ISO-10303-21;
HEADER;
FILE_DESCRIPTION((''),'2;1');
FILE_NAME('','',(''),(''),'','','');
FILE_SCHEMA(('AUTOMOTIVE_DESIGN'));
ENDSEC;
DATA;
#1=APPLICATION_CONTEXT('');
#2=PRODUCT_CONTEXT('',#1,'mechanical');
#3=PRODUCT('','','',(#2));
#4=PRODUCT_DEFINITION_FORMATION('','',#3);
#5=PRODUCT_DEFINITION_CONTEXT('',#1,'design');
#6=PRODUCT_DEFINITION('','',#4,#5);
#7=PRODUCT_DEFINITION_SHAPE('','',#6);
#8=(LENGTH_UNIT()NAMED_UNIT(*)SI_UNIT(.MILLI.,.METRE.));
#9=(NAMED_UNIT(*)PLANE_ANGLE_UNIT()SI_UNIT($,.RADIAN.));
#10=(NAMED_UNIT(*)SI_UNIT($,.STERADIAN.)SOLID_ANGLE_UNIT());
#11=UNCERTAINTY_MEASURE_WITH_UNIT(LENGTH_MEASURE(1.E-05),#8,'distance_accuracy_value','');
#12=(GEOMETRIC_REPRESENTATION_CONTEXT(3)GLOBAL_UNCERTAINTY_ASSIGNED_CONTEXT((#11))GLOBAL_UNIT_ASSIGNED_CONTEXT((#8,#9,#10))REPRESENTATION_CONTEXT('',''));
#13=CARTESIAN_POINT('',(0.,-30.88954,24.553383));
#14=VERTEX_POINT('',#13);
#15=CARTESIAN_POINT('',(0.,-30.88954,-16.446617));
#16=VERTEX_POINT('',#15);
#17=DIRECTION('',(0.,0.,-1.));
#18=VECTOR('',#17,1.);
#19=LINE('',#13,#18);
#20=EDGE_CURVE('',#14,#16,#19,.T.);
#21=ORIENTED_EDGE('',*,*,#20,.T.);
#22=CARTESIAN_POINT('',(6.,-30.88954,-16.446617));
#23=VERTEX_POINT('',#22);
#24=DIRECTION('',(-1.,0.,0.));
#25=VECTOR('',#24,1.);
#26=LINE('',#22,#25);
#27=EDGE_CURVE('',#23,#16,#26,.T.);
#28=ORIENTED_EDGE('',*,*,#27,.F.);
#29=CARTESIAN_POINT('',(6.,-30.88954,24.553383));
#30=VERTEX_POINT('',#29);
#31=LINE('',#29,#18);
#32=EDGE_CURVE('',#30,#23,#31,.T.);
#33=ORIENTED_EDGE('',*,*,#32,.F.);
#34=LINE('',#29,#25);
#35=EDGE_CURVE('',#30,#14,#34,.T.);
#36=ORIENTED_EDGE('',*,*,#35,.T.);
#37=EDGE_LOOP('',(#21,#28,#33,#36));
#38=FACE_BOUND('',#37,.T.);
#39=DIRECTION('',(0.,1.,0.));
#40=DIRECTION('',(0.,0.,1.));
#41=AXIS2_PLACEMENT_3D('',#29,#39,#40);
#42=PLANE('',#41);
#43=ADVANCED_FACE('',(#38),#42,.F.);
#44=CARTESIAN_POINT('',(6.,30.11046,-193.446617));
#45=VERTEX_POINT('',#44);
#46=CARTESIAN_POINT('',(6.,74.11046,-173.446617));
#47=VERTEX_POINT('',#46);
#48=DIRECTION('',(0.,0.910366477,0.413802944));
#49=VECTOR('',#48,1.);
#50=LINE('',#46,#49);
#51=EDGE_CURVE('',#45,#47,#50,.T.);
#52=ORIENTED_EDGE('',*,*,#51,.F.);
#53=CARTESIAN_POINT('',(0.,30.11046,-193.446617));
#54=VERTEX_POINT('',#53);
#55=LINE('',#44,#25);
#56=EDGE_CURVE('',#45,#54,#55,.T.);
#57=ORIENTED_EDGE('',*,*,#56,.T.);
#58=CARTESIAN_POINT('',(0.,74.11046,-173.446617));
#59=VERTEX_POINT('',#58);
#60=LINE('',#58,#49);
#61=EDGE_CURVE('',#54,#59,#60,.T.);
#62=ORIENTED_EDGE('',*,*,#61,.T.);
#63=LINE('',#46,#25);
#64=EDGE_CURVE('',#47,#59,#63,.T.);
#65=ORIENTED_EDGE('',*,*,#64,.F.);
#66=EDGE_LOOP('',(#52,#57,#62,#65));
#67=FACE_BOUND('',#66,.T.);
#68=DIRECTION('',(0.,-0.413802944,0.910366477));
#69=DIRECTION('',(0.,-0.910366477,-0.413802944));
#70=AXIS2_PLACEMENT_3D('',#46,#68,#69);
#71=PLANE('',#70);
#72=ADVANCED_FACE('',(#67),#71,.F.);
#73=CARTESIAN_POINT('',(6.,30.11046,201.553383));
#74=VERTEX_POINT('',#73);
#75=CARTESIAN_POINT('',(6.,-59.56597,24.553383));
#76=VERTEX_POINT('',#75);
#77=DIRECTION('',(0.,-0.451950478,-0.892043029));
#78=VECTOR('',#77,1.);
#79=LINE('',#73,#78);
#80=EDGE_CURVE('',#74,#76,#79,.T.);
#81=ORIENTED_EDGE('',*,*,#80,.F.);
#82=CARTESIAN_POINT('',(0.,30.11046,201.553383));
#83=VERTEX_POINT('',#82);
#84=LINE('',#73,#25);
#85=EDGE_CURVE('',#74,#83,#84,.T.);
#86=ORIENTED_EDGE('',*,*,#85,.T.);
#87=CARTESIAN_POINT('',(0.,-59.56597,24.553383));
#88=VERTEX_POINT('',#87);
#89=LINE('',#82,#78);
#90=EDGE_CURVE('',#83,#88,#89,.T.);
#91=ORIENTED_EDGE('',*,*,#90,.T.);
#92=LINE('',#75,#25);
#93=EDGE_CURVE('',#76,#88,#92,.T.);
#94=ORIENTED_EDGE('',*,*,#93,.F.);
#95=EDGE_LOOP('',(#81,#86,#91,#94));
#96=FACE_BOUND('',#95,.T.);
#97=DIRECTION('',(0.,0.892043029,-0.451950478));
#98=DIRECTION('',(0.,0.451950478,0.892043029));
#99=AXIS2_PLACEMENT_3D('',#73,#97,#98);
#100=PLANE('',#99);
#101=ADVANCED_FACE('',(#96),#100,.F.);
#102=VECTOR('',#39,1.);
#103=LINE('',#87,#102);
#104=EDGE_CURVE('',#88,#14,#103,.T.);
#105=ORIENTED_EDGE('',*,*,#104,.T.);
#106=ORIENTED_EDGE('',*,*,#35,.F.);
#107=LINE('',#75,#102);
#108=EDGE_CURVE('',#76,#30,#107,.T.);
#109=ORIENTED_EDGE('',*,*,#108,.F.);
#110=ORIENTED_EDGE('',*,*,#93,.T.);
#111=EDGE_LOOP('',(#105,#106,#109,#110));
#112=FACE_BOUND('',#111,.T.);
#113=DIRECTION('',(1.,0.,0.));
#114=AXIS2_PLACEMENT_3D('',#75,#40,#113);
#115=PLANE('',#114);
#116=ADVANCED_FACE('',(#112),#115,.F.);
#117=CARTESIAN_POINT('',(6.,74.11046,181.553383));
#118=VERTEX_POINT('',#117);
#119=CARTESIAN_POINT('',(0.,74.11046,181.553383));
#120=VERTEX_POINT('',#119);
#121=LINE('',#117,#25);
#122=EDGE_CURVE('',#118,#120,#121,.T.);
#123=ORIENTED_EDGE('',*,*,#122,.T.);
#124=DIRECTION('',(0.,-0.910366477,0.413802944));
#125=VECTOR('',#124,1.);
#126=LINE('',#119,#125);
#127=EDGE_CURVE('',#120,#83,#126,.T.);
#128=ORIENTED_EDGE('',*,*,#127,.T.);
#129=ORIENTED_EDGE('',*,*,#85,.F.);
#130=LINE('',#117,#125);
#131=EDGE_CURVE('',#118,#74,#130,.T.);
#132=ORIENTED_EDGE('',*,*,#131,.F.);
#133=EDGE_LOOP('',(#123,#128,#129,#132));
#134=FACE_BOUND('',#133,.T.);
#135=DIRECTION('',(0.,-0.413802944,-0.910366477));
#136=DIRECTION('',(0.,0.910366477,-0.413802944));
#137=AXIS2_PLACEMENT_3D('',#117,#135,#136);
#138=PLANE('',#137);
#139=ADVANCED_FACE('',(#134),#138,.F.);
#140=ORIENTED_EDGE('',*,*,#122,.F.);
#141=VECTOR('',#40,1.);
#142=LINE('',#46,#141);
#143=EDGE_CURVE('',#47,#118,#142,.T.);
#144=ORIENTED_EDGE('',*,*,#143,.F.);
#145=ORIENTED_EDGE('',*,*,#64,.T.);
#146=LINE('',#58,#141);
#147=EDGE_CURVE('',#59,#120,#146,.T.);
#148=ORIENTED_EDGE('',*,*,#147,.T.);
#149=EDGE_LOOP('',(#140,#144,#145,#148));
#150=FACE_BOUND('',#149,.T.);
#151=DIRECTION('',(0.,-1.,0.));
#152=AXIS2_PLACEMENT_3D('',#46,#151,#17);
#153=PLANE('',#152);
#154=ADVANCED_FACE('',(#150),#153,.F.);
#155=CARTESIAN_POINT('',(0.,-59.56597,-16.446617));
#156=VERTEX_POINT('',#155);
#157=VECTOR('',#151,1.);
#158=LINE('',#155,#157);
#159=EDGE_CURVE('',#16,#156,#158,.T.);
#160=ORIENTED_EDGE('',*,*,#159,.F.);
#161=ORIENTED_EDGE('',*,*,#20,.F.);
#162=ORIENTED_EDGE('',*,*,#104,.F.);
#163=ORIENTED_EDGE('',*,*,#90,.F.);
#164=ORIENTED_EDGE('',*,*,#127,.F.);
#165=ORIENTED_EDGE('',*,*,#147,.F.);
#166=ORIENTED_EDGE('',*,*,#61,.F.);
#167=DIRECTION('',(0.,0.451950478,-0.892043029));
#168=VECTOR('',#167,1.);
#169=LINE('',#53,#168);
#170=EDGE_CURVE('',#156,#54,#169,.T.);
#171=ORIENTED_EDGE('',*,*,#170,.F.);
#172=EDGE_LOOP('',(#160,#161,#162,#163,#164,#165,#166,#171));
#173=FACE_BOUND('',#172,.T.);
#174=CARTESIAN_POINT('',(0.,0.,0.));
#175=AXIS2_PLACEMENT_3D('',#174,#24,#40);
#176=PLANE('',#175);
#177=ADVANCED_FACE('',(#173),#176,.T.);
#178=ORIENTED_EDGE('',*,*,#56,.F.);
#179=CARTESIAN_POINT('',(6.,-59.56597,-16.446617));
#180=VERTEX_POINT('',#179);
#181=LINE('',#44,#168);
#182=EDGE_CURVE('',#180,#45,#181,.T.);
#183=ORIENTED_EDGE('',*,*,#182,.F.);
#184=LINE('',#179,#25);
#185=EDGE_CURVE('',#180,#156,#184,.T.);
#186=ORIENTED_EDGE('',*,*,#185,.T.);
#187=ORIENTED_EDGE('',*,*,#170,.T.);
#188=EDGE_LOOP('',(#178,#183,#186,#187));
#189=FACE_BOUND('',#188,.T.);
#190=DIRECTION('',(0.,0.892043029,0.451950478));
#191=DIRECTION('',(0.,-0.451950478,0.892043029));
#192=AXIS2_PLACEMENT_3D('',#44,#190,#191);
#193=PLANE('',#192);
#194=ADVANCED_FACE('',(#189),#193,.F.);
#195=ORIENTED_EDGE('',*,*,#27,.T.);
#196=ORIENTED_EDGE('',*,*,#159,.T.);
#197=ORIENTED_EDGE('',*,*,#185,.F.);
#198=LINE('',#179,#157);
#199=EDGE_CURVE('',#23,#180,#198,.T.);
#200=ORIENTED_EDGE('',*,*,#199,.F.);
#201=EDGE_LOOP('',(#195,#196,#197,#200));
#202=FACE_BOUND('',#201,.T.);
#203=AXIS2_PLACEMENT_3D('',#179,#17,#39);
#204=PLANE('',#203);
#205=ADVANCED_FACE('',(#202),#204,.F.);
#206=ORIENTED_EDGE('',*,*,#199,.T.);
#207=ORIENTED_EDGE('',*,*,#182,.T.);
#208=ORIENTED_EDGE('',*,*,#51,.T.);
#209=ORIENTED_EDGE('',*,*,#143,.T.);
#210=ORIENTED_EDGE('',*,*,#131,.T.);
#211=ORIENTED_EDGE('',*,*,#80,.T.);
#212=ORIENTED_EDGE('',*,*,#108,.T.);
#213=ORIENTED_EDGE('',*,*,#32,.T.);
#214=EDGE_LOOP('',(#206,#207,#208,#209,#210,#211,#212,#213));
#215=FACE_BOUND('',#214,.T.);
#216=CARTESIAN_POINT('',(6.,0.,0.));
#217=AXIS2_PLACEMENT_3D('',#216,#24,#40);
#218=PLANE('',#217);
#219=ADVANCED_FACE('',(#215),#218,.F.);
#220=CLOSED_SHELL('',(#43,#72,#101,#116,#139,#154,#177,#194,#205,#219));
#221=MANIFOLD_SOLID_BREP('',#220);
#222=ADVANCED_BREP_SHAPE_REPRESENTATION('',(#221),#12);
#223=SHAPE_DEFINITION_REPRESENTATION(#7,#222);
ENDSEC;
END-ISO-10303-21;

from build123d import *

# Parameters (mm, degrees)
BOSS_EXTRUDE1_DEPTH = 6


with BuildPart() as part:
    # Sketch1 → Boss-Extrude1 (new body)
    with BuildSketch(Plane(origin=(0, 0, 0), x_dir=(0, 0, -1), z_dir=(1, 0, 0))):
        Polygon((173.446617491, 74.110460295), (-181.553382509, 74.110460295), (-201.553382509, 30.110460295), (-24.553382509, -59.565970117), (-24.553382509, -30.889539705), (16.446617491, -30.889539705), (16.446617491, -59.565970117), (193.446617491, 30.110460295), align=None)
    extrude(amount=BOSS_EXTRUDE1_DEPTH)


solid = part.part
